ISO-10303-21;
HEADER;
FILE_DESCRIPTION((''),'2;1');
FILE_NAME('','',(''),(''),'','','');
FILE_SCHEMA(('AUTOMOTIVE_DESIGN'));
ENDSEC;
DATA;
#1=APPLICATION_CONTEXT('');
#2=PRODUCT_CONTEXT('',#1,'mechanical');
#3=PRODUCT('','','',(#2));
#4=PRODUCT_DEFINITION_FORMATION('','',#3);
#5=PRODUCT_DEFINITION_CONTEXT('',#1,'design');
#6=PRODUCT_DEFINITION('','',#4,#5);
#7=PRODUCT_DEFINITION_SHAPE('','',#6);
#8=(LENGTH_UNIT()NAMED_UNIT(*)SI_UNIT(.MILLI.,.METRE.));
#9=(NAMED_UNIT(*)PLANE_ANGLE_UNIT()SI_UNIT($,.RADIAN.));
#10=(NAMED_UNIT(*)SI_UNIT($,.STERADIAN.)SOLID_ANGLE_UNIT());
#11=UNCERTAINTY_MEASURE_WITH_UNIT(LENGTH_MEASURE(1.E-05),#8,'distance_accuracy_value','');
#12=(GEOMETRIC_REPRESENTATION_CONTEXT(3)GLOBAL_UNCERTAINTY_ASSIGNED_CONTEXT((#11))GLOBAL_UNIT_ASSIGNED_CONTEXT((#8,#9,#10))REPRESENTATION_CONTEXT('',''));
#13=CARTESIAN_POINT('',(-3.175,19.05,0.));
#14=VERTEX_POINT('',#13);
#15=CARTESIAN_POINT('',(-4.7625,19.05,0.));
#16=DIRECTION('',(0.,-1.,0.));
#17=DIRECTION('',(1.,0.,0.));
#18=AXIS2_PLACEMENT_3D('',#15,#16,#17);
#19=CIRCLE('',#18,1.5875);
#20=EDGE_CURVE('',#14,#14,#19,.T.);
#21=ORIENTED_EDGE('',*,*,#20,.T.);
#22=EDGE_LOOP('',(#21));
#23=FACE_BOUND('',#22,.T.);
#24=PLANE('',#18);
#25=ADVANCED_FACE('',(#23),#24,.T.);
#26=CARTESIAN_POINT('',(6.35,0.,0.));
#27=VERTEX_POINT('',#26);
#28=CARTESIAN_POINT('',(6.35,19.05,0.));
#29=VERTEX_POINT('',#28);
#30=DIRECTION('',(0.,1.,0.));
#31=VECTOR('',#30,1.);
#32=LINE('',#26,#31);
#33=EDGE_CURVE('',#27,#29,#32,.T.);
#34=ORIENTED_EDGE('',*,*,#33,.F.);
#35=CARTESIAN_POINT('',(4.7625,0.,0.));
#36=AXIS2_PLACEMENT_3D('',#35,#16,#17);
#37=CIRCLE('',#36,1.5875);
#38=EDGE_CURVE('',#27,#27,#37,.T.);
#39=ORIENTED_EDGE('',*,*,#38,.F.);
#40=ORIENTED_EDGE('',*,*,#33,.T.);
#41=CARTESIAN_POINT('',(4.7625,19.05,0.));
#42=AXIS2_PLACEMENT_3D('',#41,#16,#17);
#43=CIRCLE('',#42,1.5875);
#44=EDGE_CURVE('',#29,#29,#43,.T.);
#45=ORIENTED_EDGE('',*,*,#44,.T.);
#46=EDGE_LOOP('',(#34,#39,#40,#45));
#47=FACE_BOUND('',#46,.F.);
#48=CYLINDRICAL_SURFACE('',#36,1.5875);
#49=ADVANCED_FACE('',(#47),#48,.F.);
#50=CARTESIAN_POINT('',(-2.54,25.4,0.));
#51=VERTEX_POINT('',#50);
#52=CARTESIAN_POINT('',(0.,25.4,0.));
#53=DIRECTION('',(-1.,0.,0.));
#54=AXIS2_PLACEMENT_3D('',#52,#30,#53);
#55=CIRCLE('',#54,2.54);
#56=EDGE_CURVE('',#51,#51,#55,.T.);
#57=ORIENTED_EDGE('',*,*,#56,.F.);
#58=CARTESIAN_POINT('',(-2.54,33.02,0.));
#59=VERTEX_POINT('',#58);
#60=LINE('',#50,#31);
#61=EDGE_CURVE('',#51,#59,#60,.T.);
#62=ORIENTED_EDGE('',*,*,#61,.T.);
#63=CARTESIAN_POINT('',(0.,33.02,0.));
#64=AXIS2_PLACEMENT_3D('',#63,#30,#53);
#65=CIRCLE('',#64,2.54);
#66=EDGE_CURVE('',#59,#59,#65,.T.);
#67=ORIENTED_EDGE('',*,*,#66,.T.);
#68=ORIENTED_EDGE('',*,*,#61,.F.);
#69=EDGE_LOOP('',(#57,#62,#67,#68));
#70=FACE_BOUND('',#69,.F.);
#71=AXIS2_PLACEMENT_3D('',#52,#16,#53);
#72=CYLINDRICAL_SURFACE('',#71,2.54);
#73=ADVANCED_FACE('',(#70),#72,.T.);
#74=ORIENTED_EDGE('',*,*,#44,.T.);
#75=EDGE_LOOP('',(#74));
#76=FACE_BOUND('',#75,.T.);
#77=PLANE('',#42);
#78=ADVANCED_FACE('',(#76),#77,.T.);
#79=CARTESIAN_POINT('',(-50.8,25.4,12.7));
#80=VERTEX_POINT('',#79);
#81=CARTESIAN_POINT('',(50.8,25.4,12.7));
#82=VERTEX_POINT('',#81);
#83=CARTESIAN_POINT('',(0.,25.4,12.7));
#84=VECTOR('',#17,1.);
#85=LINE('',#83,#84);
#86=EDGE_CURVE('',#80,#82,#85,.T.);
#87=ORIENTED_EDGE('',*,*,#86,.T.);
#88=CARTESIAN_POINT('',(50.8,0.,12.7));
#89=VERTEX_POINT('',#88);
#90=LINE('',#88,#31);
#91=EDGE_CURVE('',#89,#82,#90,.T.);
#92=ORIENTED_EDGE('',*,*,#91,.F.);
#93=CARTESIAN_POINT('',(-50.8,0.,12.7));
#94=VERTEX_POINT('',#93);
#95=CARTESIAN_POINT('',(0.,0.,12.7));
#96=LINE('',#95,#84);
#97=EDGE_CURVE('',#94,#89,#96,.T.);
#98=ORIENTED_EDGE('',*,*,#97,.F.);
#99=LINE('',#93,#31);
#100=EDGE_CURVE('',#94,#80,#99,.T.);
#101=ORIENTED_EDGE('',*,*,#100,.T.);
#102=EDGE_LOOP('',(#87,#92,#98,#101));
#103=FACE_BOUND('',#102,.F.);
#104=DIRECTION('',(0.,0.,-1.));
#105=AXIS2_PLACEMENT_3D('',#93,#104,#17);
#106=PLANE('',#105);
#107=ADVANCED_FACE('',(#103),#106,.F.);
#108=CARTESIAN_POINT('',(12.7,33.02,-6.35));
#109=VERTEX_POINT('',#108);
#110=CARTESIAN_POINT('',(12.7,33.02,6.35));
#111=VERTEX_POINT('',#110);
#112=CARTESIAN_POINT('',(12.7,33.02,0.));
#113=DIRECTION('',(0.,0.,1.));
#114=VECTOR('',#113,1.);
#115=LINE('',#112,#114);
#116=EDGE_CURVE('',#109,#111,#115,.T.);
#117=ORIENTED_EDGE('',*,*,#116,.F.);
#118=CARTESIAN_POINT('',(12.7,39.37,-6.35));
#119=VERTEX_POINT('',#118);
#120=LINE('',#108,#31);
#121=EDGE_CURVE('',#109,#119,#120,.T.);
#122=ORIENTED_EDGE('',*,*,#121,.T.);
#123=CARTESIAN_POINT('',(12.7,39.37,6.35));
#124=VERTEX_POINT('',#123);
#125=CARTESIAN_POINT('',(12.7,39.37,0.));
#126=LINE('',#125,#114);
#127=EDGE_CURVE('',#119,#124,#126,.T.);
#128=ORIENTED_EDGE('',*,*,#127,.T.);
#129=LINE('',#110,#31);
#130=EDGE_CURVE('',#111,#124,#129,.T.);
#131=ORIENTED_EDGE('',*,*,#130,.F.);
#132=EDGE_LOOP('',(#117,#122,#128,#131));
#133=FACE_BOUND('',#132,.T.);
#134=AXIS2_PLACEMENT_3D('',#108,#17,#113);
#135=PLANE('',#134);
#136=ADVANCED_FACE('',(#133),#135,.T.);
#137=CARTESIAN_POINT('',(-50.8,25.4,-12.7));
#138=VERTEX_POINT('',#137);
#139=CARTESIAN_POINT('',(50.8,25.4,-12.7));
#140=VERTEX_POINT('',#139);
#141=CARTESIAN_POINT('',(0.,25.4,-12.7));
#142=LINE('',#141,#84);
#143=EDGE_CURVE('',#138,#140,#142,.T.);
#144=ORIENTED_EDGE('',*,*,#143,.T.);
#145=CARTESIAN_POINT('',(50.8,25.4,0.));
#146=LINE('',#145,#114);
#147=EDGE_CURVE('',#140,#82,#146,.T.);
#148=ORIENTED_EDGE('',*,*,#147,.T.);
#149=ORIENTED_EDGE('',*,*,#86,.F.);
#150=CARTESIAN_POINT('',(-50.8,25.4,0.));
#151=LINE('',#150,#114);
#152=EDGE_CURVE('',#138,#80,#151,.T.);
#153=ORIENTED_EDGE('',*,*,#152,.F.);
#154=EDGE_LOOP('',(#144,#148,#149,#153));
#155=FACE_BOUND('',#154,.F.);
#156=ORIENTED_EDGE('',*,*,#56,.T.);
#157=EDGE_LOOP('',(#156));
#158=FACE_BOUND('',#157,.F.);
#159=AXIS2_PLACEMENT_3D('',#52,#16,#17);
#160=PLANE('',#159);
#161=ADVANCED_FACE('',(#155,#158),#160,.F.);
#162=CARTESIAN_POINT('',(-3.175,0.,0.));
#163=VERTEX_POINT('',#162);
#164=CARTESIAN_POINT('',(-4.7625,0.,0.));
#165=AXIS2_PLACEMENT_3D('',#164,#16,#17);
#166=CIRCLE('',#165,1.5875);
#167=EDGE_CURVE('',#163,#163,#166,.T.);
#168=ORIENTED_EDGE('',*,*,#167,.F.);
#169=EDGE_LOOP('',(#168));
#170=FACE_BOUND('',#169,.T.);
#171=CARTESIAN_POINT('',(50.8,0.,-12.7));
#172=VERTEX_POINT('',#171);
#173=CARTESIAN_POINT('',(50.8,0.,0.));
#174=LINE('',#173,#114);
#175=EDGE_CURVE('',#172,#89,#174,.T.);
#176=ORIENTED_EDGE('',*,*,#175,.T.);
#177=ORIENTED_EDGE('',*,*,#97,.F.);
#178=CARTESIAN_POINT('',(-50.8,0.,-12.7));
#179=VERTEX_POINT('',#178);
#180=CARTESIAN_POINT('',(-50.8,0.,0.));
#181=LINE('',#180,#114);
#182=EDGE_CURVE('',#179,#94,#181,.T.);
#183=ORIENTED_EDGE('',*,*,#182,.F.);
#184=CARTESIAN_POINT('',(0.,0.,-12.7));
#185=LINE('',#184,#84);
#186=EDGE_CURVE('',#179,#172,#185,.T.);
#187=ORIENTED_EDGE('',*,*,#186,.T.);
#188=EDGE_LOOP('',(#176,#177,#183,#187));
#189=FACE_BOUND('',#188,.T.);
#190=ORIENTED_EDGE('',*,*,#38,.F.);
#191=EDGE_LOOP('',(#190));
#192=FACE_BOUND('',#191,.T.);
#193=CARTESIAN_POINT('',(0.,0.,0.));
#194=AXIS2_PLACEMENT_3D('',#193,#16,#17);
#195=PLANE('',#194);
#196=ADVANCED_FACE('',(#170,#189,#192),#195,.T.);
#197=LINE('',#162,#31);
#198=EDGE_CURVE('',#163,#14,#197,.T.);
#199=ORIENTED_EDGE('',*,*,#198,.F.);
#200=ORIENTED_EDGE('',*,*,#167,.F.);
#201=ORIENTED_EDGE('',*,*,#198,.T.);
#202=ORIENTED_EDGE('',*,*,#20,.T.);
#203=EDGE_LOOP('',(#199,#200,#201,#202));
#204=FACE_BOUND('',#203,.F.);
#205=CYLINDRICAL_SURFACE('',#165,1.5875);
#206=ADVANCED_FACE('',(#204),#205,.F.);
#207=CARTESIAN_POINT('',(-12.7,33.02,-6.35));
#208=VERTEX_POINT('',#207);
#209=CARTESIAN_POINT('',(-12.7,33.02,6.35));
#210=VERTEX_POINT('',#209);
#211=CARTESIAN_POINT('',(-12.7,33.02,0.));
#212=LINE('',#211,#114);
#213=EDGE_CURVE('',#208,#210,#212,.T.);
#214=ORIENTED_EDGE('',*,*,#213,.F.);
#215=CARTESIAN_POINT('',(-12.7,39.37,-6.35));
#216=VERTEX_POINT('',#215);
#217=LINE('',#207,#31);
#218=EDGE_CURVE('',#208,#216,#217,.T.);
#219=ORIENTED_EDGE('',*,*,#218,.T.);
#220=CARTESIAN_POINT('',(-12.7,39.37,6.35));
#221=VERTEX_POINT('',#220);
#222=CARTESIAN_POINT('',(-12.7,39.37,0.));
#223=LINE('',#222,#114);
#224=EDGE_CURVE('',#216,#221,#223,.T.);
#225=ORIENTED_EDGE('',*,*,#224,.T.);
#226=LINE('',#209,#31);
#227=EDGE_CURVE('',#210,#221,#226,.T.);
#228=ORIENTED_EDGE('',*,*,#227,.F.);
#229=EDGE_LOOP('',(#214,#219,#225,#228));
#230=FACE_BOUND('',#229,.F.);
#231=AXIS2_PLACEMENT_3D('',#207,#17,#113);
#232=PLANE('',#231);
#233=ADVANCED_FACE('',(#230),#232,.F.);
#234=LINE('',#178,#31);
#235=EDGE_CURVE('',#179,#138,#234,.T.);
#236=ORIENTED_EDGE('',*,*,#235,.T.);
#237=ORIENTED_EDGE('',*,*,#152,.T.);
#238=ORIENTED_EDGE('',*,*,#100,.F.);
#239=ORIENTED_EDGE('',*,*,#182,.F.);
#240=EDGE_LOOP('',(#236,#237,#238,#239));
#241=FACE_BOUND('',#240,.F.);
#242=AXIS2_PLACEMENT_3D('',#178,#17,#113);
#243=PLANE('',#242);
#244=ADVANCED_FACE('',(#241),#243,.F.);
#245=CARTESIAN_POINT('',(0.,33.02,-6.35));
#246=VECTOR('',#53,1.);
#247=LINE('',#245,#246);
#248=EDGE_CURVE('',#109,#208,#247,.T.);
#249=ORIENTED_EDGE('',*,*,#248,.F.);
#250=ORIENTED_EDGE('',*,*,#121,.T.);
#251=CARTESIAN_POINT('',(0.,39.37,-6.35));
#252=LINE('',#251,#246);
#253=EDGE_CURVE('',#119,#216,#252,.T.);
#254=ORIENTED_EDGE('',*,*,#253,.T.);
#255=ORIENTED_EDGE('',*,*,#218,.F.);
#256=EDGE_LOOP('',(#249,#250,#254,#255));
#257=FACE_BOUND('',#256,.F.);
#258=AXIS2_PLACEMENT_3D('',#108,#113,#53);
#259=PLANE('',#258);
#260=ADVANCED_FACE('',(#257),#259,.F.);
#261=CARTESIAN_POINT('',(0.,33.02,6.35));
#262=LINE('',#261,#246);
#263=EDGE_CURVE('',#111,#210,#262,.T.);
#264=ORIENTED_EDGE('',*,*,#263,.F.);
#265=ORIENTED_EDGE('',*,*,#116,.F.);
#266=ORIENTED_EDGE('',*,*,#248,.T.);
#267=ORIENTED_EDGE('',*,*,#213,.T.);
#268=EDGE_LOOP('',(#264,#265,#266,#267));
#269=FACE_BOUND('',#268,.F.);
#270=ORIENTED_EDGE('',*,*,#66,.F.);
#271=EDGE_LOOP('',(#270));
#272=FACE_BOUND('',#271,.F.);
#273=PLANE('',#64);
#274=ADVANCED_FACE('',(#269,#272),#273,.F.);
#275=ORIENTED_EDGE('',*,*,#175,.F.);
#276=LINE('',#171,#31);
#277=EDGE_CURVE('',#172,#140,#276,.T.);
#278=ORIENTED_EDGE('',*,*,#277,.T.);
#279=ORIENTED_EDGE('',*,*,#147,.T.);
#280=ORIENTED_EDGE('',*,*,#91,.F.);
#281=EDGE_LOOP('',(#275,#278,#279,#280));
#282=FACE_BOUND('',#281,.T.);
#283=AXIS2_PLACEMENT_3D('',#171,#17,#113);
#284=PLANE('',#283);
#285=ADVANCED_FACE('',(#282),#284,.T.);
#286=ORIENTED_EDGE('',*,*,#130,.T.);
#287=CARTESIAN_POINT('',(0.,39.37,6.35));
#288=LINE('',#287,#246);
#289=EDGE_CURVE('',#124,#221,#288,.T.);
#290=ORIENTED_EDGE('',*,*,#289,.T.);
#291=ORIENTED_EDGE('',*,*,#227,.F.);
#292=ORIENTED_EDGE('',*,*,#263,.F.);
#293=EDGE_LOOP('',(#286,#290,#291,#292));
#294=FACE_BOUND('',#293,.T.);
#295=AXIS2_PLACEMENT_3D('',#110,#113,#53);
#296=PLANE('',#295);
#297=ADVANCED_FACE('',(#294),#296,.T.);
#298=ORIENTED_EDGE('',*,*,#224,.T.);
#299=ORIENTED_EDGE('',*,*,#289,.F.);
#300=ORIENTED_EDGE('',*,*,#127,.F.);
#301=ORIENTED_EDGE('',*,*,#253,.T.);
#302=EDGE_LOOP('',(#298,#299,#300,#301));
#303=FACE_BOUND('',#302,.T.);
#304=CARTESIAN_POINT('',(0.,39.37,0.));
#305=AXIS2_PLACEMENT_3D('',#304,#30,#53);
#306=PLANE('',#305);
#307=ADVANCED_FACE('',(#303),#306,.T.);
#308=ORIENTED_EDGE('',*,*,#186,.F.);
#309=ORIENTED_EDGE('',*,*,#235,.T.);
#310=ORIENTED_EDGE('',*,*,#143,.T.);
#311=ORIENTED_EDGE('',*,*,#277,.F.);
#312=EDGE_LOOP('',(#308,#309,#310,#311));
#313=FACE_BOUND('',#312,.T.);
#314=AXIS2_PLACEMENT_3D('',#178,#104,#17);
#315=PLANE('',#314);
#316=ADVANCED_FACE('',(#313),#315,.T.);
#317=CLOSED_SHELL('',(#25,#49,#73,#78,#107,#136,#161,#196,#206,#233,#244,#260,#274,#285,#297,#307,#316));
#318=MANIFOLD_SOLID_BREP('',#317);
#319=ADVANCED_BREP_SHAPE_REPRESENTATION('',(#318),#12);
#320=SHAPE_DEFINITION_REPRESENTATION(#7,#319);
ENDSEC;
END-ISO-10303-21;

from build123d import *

# Parameters (mm, degrees)
F0_W     = 101.6
F0_H     = 25.4
F0_R     = 1.5875
F1_DEPTH = 25.4
F2_R     = 2.54
F3_DEPTH = 7.62
F4_W     = 25.4
F4_H     = 12.7
F5_DEPTH = 6.35
F6_DEPTH = 19.05


with BuildPart() as f1:
    # F0 (on Front) → F1 (new body)
    with BuildSketch(Plane.XZ):
        Rectangle(F0_W, F0_H)
        with Locations((-4.7625, 0)):
            Circle(F0_R, mode=Mode.SUBTRACT)
        with Locations((4.7625, 0)):
            Circle(F0_R, mode=Mode.SUBTRACT)
        with Locations((4.7625, 0)):
            Circle(F0_R)
        with Locations((-4.7625, 0)):
            Circle(F0_R)
    extrude(amount=-F1_DEPTH)

    # F2 (on face) → F3 (join)
    with BuildSketch(Plane(origin=(0, 25.4, 0), x_dir=(-1, 0, 0), z_dir=(0, 1, 0))):
        Circle(F2_R)
    extrude(amount=F3_DEPTH)

    # F4 (on face) → F5 (join)
    with BuildSketch(Plane(origin=(0, 33.02, 0), x_dir=(-1, 0, 0), z_dir=(0, 1, 0))):
        Rectangle(F4_W, F4_H)
    extrude(amount=F5_DEPTH)

    # F0 (on Front) → F6 (cut)
    with BuildSketch(Plane.XZ):
        with Locations((-4.7625, 0)):
            Circle(F0_R)
        with Locations((4.7625, 0)):
            Circle(F0_R)
    extrude(amount=-F6_DEPTH, mode=Mode.SUBTRACT)


solid = f1.part
